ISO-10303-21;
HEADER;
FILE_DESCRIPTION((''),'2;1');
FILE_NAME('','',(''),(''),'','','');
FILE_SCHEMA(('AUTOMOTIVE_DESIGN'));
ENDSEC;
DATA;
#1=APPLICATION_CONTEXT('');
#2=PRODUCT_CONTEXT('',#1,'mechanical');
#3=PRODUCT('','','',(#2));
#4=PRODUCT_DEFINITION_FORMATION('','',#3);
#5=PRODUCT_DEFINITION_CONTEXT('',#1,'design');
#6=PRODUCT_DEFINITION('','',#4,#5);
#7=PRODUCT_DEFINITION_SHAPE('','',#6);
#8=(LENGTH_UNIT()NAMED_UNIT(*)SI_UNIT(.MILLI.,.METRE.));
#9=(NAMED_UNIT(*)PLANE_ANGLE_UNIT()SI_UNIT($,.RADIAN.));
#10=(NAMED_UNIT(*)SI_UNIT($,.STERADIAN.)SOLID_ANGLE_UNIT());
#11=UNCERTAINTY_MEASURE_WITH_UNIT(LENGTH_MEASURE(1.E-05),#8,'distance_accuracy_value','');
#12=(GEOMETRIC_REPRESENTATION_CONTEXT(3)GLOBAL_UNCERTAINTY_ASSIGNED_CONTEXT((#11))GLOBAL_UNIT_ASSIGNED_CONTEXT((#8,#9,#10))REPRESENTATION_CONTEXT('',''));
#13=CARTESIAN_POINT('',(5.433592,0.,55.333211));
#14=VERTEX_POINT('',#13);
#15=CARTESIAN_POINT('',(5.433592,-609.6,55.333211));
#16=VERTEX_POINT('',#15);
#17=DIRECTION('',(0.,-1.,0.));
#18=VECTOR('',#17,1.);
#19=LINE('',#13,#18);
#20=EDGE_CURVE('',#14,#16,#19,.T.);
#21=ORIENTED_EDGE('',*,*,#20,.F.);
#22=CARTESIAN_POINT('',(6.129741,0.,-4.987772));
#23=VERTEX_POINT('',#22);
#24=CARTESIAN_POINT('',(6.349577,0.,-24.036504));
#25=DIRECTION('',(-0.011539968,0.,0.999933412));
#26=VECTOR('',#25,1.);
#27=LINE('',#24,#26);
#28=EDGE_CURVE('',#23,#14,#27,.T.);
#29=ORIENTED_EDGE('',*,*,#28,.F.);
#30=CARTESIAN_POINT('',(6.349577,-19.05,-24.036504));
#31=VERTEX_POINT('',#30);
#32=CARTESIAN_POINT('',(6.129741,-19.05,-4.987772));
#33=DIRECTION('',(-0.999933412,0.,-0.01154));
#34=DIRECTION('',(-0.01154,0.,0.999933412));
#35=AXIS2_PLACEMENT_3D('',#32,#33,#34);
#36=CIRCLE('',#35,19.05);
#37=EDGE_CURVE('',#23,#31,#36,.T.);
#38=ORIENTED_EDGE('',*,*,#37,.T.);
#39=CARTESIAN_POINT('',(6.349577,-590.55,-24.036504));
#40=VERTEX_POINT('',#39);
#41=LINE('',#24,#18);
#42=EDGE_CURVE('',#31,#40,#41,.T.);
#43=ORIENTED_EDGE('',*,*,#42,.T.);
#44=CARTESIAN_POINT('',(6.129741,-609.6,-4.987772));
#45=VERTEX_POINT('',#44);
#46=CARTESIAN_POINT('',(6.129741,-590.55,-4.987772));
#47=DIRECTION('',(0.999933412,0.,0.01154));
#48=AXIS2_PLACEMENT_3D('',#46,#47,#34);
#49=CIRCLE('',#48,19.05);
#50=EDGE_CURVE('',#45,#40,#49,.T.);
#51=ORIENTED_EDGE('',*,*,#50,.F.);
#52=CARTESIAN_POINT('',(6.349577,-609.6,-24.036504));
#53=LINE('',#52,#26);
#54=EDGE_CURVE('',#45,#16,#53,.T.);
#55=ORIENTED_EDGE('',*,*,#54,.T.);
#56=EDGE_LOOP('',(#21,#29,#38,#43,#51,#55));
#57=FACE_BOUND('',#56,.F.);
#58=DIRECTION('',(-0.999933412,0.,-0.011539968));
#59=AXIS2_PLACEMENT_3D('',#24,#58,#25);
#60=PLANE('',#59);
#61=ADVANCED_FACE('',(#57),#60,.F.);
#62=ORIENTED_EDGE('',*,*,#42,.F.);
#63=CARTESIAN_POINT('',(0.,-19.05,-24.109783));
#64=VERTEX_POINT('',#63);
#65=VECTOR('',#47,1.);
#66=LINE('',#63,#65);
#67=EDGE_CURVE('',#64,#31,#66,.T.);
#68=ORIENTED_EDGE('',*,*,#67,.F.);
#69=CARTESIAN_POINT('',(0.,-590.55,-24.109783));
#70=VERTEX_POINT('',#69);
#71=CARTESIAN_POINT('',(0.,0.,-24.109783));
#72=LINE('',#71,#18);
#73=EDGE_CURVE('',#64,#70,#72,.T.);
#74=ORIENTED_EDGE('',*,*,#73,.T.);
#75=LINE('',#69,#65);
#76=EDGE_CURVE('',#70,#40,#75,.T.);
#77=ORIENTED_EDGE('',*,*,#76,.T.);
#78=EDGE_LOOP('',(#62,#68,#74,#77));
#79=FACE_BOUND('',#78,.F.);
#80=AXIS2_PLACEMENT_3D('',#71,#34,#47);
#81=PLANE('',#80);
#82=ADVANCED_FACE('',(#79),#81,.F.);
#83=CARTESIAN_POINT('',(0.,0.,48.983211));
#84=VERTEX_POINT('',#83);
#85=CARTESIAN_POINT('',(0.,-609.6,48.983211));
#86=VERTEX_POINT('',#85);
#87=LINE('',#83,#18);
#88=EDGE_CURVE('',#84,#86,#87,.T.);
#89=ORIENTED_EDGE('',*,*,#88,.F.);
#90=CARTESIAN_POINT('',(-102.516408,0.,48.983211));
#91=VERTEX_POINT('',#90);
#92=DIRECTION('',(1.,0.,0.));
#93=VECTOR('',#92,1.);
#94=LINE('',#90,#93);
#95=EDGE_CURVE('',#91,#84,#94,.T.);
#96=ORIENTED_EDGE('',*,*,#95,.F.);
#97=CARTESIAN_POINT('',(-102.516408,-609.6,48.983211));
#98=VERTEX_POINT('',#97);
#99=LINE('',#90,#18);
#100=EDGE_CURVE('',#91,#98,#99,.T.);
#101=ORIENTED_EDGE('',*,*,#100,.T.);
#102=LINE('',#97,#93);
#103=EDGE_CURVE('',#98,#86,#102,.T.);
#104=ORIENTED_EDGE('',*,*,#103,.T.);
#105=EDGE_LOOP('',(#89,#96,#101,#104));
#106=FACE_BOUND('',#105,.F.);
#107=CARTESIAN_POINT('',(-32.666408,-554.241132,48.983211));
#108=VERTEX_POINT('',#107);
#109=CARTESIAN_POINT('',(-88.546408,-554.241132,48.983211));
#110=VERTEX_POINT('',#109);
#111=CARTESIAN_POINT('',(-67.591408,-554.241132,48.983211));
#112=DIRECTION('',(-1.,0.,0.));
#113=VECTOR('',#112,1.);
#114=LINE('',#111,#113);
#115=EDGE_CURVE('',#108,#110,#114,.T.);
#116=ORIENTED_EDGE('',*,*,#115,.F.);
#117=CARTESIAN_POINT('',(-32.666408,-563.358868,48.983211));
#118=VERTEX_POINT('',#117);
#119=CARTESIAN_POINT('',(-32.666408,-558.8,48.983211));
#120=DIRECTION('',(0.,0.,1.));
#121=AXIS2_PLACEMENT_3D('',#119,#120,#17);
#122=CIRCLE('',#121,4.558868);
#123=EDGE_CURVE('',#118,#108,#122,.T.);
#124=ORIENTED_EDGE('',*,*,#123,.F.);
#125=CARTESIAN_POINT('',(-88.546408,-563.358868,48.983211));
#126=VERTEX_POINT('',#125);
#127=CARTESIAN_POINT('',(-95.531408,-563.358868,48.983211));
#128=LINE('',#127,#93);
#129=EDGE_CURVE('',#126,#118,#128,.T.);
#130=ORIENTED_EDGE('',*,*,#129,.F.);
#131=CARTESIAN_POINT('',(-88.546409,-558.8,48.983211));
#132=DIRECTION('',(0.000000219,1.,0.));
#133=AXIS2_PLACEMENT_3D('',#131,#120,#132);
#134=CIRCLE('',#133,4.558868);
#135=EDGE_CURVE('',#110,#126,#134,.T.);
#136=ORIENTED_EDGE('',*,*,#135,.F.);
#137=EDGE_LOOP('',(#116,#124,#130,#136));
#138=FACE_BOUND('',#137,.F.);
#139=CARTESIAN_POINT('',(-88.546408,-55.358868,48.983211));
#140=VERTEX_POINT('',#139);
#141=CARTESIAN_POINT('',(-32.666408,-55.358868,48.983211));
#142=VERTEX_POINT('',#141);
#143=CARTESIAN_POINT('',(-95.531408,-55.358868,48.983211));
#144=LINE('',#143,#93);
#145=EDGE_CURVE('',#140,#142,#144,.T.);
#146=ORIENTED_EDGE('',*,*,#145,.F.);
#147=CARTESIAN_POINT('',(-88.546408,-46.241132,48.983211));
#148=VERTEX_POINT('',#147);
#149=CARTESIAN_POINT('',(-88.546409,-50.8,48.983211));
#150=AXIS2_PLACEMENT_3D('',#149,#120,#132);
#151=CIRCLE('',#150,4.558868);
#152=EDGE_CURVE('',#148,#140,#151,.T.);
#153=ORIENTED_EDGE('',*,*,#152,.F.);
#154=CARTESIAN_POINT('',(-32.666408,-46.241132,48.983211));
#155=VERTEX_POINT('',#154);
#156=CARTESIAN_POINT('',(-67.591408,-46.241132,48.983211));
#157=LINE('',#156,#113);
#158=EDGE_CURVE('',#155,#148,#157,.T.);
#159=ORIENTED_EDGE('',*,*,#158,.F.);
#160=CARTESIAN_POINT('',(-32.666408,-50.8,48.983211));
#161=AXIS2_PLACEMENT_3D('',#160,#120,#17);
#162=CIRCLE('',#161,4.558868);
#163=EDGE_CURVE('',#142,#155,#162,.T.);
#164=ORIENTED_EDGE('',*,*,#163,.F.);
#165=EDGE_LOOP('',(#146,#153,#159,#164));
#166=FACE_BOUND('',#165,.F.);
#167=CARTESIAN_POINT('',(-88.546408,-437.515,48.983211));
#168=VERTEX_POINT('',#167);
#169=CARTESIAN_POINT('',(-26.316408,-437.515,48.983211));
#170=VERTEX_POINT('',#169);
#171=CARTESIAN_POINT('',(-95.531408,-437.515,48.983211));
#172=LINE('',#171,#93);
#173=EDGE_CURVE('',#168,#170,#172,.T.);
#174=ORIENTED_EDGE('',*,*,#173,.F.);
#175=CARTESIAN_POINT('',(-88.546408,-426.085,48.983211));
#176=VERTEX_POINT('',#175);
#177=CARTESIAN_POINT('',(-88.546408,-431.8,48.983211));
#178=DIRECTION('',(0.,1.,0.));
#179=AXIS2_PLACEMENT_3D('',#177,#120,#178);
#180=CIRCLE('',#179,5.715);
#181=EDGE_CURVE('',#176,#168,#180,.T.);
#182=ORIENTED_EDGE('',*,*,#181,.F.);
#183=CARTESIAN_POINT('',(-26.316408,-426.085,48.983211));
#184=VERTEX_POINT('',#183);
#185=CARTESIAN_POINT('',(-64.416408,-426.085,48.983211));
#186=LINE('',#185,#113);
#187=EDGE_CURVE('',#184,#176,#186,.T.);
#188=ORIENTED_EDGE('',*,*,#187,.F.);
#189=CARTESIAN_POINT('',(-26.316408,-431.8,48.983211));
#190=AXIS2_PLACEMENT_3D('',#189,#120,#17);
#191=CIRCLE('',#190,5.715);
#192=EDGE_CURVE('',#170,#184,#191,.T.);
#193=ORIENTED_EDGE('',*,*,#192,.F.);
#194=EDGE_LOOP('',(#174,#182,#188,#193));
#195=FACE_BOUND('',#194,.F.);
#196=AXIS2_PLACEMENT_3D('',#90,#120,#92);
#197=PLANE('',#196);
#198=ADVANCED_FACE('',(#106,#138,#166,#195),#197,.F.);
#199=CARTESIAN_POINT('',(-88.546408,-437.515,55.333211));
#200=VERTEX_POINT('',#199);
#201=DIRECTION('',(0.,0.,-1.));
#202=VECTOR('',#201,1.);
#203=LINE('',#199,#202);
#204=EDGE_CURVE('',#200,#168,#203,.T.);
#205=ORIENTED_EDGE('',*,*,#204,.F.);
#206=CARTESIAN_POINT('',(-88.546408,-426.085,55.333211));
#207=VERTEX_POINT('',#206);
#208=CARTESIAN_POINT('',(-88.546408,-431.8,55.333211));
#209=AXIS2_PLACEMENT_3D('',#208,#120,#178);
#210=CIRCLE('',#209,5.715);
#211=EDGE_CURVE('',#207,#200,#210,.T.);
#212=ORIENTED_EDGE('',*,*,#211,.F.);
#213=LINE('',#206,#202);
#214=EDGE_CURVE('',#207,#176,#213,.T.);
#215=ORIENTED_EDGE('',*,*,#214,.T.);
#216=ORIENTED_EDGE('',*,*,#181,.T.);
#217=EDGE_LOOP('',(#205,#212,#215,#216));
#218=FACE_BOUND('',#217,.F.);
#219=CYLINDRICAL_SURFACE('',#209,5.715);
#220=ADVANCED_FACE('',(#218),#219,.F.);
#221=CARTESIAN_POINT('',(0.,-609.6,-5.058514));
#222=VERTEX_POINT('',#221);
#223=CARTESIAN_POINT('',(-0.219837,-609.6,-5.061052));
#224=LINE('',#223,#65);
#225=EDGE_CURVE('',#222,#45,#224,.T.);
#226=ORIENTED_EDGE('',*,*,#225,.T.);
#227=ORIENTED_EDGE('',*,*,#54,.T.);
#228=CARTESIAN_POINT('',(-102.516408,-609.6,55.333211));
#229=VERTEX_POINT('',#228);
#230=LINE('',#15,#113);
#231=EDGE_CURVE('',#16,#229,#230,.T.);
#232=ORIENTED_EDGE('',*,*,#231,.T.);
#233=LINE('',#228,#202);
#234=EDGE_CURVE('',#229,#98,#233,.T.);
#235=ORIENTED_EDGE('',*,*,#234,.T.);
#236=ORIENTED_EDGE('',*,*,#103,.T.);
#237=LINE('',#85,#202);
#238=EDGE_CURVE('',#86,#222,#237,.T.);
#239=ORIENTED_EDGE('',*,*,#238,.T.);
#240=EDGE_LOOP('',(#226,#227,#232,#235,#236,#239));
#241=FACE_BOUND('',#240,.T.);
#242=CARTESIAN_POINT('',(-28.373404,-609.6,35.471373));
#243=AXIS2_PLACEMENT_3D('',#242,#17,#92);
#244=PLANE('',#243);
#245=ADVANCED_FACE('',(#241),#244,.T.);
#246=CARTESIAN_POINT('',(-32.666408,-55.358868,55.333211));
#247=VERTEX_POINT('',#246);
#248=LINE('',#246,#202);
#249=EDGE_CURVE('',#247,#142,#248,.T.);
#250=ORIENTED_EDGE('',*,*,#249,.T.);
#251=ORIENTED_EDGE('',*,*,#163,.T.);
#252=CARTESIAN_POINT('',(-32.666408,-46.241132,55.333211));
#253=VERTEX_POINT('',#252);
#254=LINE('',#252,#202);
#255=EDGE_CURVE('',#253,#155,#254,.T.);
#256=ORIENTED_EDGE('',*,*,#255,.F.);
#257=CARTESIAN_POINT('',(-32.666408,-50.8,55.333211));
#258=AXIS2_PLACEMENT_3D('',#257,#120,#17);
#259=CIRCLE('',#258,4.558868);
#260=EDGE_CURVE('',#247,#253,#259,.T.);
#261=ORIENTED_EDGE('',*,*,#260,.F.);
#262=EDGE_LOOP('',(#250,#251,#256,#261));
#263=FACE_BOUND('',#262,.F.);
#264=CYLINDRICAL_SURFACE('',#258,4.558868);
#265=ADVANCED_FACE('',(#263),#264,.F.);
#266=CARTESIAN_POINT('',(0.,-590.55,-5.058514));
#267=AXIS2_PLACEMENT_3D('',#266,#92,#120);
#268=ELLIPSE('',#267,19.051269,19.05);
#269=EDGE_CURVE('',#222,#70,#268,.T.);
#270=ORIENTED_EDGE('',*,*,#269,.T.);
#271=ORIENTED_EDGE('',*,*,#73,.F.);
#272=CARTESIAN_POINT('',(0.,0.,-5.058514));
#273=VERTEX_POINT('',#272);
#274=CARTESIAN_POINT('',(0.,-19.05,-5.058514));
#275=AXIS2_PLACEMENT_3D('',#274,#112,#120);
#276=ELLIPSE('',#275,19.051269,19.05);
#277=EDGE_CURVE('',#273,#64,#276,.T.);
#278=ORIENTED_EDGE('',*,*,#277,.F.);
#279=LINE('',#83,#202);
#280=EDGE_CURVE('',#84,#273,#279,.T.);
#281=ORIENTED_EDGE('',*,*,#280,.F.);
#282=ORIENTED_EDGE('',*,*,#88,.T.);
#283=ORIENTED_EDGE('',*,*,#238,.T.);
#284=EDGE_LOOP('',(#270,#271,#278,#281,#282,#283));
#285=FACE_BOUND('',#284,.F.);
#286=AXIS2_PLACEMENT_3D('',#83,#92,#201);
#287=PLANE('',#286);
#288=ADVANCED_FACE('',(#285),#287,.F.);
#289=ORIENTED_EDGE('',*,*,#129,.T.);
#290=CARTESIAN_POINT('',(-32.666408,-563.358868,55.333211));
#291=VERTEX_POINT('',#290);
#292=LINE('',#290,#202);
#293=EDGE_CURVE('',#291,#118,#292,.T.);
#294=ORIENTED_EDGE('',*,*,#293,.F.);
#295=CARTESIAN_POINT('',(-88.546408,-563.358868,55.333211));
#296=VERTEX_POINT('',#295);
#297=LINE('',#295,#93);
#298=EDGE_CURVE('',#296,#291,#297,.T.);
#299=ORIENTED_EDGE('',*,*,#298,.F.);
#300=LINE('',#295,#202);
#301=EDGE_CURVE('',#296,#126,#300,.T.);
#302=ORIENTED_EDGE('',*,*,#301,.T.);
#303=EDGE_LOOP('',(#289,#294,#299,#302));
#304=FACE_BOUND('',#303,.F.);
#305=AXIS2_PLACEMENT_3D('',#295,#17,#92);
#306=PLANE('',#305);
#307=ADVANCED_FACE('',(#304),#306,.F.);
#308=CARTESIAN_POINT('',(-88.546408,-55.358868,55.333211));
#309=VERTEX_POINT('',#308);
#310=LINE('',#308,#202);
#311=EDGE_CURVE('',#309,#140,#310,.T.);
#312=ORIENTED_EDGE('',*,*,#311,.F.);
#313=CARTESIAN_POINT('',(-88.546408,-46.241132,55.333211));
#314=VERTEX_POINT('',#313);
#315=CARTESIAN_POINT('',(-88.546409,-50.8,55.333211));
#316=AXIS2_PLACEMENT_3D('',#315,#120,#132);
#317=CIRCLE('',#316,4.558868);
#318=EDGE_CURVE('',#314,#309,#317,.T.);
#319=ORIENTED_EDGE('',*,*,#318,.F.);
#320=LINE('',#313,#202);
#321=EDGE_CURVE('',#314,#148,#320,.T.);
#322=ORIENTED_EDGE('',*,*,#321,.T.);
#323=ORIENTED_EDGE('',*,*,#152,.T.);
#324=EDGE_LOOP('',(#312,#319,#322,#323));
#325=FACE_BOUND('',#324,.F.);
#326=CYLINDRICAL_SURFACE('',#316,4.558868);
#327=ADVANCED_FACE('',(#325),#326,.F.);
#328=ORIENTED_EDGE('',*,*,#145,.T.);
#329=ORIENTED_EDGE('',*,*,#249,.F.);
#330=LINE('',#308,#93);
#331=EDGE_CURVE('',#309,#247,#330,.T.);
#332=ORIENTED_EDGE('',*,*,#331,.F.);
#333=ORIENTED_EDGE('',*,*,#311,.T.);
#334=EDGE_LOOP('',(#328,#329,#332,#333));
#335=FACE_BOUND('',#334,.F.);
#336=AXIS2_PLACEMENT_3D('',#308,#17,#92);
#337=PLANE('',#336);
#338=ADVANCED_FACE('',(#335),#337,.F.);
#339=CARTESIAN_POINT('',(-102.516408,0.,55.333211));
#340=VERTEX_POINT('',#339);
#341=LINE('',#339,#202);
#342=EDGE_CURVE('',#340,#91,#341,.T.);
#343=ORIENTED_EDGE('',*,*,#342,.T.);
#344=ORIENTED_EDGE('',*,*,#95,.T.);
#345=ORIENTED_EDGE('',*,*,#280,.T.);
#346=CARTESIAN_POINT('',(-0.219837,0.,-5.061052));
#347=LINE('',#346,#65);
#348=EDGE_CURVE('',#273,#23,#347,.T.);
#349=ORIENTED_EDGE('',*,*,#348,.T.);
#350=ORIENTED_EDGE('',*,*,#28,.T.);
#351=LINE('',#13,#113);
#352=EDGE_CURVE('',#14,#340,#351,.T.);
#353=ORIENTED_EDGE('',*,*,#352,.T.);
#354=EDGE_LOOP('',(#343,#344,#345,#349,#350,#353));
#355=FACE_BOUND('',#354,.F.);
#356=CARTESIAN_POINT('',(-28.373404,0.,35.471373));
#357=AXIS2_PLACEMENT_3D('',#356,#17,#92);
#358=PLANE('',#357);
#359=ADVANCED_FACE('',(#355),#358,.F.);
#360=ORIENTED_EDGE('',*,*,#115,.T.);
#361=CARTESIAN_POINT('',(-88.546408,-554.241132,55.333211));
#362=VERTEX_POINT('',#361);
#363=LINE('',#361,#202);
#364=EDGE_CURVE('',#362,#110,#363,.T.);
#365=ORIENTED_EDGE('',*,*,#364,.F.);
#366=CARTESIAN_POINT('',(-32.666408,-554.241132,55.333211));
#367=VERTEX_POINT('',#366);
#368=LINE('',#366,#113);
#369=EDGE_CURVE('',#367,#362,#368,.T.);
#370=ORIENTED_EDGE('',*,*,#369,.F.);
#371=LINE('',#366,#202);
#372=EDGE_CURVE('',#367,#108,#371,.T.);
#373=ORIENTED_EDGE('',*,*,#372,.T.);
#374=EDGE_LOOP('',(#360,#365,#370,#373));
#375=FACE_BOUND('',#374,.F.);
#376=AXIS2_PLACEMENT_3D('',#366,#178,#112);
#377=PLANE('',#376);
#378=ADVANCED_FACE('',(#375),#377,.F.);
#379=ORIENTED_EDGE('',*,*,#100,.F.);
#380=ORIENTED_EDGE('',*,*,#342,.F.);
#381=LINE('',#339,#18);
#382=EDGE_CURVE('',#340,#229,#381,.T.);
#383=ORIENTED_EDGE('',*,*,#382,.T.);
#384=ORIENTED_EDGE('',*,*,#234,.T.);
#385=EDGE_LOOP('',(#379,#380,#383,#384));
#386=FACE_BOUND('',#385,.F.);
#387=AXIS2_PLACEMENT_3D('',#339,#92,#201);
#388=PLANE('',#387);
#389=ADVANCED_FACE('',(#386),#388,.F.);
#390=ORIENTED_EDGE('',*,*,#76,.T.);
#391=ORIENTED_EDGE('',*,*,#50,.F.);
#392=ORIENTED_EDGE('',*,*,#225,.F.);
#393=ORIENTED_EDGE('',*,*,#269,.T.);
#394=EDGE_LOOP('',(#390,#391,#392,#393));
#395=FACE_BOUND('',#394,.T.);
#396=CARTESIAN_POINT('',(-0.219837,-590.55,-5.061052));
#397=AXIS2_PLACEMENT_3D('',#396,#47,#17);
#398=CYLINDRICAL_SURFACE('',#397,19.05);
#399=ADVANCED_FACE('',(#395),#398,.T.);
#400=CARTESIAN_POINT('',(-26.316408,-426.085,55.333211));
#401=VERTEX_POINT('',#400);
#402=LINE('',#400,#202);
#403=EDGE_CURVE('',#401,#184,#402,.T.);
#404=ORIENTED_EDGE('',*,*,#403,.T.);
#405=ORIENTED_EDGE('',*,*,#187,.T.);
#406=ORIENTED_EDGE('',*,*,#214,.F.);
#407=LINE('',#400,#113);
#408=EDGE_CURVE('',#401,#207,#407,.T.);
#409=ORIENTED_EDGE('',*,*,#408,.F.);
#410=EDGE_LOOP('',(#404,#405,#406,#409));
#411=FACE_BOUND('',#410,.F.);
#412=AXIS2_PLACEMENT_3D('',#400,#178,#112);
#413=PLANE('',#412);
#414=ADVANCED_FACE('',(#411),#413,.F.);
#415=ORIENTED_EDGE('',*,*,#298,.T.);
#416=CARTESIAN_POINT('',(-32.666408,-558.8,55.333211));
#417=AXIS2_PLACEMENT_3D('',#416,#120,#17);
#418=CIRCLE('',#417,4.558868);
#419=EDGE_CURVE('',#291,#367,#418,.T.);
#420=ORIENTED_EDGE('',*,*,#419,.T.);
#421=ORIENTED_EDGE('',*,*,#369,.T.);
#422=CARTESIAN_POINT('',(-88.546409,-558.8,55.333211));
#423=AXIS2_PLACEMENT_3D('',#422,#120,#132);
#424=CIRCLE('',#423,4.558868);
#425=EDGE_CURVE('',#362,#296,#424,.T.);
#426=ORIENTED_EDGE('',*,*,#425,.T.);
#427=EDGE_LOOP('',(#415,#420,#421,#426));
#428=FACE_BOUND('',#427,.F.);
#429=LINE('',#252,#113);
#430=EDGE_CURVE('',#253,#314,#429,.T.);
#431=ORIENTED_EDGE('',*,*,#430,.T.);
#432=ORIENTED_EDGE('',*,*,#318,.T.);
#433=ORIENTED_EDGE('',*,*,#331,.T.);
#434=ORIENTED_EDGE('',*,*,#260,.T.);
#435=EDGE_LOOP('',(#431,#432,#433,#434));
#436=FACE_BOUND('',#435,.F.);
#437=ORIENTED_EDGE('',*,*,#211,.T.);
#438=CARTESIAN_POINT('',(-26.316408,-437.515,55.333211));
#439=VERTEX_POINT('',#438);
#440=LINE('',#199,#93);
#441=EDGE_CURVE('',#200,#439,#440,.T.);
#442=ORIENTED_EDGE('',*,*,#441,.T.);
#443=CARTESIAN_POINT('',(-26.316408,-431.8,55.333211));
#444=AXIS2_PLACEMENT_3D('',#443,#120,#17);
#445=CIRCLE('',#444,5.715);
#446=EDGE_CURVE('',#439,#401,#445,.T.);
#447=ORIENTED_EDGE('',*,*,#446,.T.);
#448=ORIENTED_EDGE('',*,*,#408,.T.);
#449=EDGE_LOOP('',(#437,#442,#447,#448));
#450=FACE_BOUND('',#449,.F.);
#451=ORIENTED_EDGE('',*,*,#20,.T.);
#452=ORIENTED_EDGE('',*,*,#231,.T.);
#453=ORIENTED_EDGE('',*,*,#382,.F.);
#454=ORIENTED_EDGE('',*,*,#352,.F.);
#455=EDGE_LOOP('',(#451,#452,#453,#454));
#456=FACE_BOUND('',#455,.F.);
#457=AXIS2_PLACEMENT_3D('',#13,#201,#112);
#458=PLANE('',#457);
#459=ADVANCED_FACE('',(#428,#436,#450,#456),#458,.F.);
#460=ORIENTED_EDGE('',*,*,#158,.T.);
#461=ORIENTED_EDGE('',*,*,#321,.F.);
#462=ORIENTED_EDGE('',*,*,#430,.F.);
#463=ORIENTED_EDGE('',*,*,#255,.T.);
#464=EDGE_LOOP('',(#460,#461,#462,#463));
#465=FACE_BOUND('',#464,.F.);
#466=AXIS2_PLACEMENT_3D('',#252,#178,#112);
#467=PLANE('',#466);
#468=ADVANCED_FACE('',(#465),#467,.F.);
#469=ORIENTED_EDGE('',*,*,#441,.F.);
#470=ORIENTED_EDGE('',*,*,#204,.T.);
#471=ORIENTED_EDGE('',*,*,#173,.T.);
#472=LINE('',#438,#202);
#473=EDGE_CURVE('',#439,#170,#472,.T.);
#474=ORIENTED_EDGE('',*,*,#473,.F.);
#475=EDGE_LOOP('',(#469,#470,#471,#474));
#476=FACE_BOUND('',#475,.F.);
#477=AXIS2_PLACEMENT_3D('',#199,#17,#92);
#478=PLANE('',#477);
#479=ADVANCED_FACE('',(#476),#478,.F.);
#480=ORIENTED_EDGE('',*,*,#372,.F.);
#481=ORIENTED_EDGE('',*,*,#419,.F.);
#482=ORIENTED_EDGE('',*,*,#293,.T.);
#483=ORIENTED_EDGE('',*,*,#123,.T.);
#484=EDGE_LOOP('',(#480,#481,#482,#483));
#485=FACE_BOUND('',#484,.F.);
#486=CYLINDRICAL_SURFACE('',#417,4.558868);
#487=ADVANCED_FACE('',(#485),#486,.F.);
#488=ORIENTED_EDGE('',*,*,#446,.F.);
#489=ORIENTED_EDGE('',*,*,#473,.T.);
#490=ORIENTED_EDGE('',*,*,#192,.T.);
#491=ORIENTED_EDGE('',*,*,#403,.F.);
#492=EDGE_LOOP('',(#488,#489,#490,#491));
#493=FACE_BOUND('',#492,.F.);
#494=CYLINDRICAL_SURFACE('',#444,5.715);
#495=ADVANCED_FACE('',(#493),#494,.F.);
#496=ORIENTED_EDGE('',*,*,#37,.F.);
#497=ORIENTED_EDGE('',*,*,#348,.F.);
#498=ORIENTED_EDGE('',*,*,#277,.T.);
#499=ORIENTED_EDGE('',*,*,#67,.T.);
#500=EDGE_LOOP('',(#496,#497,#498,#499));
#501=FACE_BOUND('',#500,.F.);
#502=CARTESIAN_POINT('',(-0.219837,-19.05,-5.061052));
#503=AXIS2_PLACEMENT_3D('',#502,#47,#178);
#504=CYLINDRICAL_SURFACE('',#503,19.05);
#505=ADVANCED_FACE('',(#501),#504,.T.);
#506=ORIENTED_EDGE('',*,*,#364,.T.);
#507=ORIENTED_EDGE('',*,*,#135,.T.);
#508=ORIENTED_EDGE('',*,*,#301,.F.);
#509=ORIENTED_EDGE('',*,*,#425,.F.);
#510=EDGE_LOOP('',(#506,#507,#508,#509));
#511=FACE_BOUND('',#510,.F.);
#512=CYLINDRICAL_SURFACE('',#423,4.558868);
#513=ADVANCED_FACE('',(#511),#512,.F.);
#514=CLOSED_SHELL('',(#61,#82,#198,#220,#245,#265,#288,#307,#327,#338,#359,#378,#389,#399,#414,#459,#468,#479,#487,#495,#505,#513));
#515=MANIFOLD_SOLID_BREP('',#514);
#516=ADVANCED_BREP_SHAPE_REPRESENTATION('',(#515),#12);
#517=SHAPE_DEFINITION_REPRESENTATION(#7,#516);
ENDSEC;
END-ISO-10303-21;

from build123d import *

# Parameters (mm, degrees)
F1_DEPTH = 609.6
F3_DEPTH = 79.443993
F5_DEPTH = 79.443993
F6_R     = 19.05


with BuildPart() as f1:
    # F0 (on Front) → F1 (new body)
    with BuildSketch(Plane.XZ):
        Polygon((5.433592, 55.333211), (-102.516408, 55.333211), (-102.516408, 48.983211), (0, 48.983211), (0, -24.109783), (6.349577, -24.036504), align=None)
    extrude(amount=F1_DEPTH)

    # F2 (on face) → F3 (cut, through all)
    with BuildSketch(Plane.XY.offset(55.333211)):
        with BuildLine():
            Line((-32.666408, -46.241132), (-88.546408, -46.241132))
            ThreePointArc((-88.546408, -46.241132), (-93.105277, -50.8), (-88.546408, -55.358868))
            Line((-88.546408, -55.358868), (-32.666408, -55.358868))
            ThreePointArc((-32.666408, -55.358868), (-28.10754, -50.8), (-32.666408, -46.241132))
        make_face()
        with BuildLine():
            Line((-32.666408, -554.241132), (-88.546408, -554.241132))
            ThreePointArc((-88.546408, -554.241132), (-93.105277, -558.8), (-88.546408, -563.358868))
            Line((-88.546408, -563.358868), (-32.666408, -563.358868))
            ThreePointArc((-32.666408, -563.358868), (-28.10754, -558.8), (-32.666408, -554.241132))
        make_face()
    extrude(amount=-F3_DEPTH, mode=Mode.SUBTRACT)

    # F4 (on face) → F5 (cut, through all)
    with BuildSketch(Plane.XY.offset(55.333211)):
        with BuildLine():
            Line((-26.316408, -426.085), (-88.546408, -426.085))
            ThreePointArc((-88.546408, -426.085), (-94.261408, -431.8), (-88.546408, -437.515))
            Line((-88.546408, -437.515), (-26.316408, -437.515))
            ThreePointArc((-26.316408, -437.515), (-20.601408, -431.8), (-26.316408, -426.085))
        make_face()
    extrude(amount=-F5_DEPTH, mode=Mode.SUBTRACT)

    # F6
    f6_edges = [f1.edges().sort_by_distance(p)[0] for p in [
        (3.174789, -609.6, -24.073143),
        (3.174789, 0, -24.073143),
    ]]
    fillet(f6_edges, radius=F6_R)


solid = f1.part
